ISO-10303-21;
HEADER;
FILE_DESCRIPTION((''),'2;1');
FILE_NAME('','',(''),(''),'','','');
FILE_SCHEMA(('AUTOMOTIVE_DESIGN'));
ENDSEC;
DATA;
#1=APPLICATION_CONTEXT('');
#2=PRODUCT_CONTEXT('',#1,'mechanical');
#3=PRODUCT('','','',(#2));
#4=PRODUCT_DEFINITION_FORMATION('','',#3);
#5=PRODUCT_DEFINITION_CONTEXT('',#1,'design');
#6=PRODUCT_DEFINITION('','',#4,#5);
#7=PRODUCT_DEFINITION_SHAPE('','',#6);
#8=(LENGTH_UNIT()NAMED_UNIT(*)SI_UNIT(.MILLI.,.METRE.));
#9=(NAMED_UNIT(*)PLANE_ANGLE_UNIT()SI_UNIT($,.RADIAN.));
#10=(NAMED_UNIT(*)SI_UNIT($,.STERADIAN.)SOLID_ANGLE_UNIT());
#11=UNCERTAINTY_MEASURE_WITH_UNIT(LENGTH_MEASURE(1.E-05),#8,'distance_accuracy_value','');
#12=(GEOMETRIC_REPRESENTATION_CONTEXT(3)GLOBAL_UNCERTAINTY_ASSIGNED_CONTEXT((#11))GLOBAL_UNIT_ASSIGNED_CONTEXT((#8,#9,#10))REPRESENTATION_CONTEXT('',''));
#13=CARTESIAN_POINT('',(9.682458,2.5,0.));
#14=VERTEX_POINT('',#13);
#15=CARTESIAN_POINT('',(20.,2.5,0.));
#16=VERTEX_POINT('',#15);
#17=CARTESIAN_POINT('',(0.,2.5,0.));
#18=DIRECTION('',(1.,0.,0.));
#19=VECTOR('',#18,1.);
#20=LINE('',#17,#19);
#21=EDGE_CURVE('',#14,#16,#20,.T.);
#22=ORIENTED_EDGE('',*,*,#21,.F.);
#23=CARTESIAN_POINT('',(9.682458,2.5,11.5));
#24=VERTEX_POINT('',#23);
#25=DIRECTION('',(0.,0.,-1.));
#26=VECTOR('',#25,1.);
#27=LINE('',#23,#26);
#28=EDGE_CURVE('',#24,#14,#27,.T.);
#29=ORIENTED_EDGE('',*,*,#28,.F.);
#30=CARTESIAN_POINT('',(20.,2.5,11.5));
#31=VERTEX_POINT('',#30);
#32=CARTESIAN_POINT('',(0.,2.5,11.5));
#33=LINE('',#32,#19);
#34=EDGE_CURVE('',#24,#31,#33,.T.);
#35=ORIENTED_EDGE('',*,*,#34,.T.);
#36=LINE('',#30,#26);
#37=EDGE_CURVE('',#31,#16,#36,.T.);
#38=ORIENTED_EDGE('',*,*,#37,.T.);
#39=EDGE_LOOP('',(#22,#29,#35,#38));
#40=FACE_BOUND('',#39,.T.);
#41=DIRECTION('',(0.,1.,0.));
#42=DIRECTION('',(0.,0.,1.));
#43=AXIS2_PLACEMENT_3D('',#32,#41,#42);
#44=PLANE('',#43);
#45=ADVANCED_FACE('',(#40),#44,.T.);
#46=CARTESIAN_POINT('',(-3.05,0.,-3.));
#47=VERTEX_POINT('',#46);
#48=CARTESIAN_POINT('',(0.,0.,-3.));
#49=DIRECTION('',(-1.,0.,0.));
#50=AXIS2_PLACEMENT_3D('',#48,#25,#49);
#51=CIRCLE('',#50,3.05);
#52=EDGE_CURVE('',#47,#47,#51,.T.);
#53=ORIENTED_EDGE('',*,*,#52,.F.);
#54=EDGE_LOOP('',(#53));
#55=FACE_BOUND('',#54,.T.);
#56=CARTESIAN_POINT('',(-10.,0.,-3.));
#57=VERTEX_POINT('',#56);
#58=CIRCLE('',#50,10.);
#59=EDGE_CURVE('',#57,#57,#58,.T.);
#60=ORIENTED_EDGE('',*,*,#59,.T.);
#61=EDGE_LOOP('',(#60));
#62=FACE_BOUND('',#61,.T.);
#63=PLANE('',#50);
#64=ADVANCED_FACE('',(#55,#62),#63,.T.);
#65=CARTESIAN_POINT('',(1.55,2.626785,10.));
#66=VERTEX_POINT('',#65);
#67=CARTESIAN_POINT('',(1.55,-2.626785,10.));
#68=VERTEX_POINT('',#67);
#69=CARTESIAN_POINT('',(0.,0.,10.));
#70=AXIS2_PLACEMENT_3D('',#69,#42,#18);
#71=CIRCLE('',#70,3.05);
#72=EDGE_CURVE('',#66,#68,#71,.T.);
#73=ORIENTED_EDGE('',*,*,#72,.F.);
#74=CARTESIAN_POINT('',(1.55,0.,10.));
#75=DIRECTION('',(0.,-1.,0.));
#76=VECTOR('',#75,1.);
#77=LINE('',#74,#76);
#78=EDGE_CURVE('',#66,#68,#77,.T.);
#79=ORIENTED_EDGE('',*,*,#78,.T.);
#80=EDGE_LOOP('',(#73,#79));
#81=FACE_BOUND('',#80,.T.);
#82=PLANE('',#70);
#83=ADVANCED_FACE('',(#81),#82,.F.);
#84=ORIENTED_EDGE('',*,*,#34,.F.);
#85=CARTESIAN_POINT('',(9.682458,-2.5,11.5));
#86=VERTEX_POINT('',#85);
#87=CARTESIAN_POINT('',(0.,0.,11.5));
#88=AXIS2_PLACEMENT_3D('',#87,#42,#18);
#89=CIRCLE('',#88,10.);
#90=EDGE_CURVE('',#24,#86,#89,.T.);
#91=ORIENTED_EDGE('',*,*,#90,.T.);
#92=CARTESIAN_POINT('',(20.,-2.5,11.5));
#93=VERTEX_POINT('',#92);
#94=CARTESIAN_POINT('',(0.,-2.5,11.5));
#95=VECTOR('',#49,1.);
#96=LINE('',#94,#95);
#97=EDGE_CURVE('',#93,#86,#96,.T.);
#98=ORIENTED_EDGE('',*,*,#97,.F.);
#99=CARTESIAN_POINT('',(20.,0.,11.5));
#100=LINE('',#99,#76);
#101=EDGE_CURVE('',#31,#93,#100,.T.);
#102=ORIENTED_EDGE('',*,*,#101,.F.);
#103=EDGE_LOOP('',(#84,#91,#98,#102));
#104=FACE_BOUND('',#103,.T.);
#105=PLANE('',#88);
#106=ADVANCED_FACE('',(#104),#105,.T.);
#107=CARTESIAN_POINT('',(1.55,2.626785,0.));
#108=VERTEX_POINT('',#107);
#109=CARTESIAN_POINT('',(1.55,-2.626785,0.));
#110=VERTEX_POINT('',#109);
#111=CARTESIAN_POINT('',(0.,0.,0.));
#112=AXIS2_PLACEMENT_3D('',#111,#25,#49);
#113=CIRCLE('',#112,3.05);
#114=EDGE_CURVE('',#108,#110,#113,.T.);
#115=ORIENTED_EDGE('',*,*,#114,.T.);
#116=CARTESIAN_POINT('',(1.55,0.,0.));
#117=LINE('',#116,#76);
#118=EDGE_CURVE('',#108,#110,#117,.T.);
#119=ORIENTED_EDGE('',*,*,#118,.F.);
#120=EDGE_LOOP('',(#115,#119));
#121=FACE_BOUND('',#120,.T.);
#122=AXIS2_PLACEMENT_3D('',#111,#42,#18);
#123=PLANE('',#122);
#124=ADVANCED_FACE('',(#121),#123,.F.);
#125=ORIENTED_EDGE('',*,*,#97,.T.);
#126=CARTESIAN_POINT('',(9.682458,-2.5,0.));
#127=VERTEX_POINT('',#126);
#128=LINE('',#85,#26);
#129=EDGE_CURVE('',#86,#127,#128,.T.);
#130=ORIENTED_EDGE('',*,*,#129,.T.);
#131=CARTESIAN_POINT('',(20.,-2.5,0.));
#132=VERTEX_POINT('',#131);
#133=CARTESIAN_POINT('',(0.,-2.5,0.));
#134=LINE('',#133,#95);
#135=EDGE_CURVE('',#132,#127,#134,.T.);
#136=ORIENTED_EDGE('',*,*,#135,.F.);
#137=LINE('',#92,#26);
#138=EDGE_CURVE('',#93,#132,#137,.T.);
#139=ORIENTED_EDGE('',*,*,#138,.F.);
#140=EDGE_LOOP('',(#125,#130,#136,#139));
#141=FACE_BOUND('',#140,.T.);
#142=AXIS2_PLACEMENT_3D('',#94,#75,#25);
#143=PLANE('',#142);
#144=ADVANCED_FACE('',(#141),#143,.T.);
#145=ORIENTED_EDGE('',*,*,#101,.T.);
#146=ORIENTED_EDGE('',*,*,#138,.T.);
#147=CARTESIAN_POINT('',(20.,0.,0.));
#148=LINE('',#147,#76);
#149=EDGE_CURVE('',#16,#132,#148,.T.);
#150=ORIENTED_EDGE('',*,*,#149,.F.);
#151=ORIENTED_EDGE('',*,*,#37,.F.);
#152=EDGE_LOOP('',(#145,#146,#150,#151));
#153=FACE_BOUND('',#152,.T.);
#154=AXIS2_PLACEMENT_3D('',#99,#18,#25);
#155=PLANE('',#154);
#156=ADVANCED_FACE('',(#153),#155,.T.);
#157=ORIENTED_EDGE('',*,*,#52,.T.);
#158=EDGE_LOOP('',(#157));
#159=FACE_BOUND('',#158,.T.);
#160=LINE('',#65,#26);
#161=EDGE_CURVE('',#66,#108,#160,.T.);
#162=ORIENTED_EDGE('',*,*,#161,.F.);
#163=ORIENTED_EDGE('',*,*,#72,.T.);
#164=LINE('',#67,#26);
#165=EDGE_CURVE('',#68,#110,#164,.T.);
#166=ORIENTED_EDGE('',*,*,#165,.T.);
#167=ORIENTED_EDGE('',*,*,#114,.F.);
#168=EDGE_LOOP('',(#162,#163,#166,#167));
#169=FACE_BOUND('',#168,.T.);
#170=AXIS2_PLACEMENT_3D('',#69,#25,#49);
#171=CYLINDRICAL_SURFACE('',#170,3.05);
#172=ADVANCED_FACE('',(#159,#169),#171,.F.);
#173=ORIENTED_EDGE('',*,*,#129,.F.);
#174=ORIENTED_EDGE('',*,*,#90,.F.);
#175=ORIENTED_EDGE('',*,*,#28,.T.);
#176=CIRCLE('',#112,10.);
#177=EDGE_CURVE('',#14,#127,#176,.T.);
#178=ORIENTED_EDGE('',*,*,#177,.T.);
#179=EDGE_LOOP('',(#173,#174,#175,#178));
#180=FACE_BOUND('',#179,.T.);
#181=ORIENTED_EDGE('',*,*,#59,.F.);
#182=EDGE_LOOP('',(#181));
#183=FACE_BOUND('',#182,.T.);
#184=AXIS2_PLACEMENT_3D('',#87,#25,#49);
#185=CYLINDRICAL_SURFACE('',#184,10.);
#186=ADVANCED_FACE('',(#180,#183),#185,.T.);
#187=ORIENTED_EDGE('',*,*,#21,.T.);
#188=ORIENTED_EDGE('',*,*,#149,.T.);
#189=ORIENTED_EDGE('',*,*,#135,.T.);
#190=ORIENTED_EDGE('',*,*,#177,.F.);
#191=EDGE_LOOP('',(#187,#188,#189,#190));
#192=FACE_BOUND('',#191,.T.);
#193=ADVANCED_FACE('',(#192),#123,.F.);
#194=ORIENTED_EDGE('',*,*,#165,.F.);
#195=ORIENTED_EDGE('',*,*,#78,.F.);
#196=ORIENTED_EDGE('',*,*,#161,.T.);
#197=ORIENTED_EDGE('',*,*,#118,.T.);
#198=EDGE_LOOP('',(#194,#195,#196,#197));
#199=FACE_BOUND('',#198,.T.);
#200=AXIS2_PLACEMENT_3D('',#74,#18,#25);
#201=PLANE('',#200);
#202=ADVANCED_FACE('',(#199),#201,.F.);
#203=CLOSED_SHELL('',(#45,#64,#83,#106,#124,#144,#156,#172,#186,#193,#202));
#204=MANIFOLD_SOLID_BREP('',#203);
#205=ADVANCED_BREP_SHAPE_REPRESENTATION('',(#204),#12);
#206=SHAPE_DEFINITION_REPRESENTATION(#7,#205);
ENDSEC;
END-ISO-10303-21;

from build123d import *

# Parameters (mm, degrees)
DODANIE_WYCI_GNI_CIE3_DEPTH = 11.5
WYTNIJ_WYCI_GNI_CIE1_DEPTH  = 10
DODANIE_WYCI_GNI_CIE4_START = 3
DODANIE_WYCI_GNI_CIE4_DEPTH = 3


with BuildPart() as part:
    # Szkic1 → Dodanie-wyci_gni_cie3 (new body)
    with BuildSketch(Plane.XY):
        with BuildLine():
            Line((20, 2.5), (9.682458366, 2.5))
            ThreePointArc((9.682458366, 2.5), (-10, 0), (9.682458366, -2.5))
            Line((9.682458366, -2.5), (20, -2.5))
            Line((20, -2.5), (20, 2.5))
        make_face()
    extrude(amount=DODANIE_WYCI_GNI_CIE3_DEPTH)

    # Szkic1_6 → Wytnij-wyci_gni_cie1 (cut)
    with BuildSketch(Plane.XY):
        with BuildLine():
            Line((1.55, -2.626785107), (1.55, 2.626785107))
            ThreePointArc((1.55, 2.626785107), (-3.05, 0), (1.55, -2.626785107))
        make_face()
    extrude(amount=WYTNIJ_WYCI_GNI_CIE1_DEPTH, mode=Mode.SUBTRACT)

    # Szkic2 → Dodanie-wyci_gni_cie4 (add)
    with BuildSketch(Plane(origin=(0, 0, 0), x_dir=(-1, 0, 0), z_dir=(0, 0, -1)).offset(DODANIE_WYCI_GNI_CIE4_START)):
        with BuildLine():
            ThreePointArc((-9.682458366, -2.5), (1.260042925, -9.920296963), (10, 0))
            ThreePointArc((10, 0), (1.260042925, 9.920296963), (-9.682458366, 2.5))
            ThreePointArc((-9.682458366, 2.5), (-10, 0), (-9.682458366, -2.5))
        make_face()
        with BuildLine():
            ThreePointArc((-1.55, -2.626785107), (-3.05, 0), (-1.55, 2.626785107))
            ThreePointArc((-1.55, 2.626785107), (1.512448346, 2.648584528), (3.05, 0))
            ThreePointArc((3.05, 0), (1.512448346, -2.648584528), (-1.55, -2.626785107))
        make_face(mode=Mode.SUBTRACT)
    extrude(amount=-DODANIE_WYCI_GNI_CIE4_DEPTH)


solid = part.part
